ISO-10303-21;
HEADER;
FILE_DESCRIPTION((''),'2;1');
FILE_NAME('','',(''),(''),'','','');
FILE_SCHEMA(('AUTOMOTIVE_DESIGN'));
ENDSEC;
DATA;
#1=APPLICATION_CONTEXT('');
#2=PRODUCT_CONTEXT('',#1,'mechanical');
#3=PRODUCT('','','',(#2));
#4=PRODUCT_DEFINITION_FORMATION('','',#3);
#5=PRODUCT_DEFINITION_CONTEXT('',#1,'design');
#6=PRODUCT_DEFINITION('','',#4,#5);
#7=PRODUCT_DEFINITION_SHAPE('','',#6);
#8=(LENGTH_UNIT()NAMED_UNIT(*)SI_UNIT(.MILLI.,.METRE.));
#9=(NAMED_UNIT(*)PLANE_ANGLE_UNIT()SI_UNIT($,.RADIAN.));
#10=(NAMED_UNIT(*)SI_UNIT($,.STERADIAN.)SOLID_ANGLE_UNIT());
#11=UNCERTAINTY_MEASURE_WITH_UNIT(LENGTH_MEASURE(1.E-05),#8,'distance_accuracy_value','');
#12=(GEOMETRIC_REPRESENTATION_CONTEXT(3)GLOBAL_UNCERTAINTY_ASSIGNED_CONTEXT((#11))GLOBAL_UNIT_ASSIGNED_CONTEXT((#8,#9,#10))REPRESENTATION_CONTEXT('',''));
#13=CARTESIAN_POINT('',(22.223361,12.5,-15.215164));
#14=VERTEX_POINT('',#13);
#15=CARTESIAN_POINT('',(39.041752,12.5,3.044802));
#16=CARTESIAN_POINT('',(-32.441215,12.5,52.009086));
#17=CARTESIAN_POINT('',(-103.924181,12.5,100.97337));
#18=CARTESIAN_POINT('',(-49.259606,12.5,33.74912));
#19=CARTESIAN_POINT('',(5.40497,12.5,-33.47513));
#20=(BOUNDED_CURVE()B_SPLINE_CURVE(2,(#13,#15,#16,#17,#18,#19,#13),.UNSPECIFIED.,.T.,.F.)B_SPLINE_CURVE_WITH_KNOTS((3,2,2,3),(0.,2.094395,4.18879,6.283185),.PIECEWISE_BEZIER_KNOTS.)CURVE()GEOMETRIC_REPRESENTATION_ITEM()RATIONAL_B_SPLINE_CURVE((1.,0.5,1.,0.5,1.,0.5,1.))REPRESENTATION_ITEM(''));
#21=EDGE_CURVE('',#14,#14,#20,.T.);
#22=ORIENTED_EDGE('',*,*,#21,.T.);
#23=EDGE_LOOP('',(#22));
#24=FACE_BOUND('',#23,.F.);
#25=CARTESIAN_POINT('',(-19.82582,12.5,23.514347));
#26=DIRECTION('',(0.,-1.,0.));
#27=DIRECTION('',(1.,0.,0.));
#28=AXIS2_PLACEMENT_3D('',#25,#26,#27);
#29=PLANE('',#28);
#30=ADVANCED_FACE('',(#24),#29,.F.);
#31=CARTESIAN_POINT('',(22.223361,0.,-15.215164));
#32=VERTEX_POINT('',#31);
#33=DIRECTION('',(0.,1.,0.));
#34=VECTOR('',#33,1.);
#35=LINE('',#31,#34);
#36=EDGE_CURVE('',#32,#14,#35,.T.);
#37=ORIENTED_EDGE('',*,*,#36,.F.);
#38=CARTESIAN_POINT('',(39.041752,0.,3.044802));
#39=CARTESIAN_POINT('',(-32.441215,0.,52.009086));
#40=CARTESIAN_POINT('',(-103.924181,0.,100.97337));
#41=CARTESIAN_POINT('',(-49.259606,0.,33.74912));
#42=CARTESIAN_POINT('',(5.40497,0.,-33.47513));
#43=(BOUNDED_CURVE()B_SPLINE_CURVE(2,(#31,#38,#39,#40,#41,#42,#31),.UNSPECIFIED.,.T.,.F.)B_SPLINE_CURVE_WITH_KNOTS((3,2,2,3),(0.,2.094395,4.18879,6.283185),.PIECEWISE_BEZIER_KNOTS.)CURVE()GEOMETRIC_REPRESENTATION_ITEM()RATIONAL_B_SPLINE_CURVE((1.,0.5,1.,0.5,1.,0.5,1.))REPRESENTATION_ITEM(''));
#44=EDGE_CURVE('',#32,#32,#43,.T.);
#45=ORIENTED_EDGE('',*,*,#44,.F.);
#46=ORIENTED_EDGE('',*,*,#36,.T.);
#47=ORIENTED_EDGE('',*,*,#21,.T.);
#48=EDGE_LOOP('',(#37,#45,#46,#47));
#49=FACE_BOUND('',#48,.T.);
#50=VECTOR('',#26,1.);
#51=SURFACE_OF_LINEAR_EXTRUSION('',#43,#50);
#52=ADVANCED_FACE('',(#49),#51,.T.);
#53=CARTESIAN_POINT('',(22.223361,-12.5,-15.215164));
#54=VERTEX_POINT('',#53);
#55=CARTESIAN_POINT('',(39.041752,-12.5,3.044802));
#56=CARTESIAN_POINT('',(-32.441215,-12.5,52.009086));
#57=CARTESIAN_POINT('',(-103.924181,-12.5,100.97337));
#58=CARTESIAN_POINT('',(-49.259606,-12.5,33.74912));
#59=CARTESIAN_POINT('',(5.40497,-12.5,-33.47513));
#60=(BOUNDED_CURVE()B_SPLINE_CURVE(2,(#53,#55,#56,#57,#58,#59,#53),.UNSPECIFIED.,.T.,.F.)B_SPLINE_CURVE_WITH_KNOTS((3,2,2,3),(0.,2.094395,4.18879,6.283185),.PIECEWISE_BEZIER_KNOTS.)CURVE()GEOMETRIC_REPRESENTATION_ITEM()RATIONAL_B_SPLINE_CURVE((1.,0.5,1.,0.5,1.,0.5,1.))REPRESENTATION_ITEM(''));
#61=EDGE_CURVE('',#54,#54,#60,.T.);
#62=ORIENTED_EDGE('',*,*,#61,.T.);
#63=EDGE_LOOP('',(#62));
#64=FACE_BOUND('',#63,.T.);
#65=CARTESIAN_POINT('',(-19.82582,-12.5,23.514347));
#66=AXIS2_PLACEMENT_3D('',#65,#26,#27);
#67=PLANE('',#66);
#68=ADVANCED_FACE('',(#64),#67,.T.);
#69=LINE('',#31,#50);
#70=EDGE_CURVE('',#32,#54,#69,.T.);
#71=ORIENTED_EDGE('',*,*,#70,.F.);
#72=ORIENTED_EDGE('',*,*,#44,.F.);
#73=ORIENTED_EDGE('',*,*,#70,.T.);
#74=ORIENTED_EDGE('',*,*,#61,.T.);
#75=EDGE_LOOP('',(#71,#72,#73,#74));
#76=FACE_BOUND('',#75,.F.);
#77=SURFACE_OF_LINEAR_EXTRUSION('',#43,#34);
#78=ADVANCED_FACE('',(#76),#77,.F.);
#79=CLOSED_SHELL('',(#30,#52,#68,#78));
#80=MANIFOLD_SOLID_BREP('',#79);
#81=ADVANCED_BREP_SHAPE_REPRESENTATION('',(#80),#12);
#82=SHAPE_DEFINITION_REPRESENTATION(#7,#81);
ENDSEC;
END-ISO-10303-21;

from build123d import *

# Parameters (mm, degrees)
F1_DEPTH = 12.5


with BuildPart() as f1:
    # F0 (on Front) → F1 (new body, symmetric)
    with BuildSketch(Plane.XZ):
        with BuildLine():
            add(Edge.make_bspline(
                [(22.223361, -15.215164), (39.041752, 3.044802), (-32.441215, 52.009086), (-103.924181, 100.97337), (-49.259606, 33.74912), (5.40497, -33.47513), (22.223361, -15.215164)],
                knots=[0, 0, 0, 2.094395, 2.094395, 4.18879, 4.18879, 6.283185, 6.283185, 6.283185], degree=2, weights=[1, 0.5, 1, 0.5, 1, 0.5, 1]))
        make_face()
    extrude(amount=F1_DEPTH, both=True)


solid = f1.part
